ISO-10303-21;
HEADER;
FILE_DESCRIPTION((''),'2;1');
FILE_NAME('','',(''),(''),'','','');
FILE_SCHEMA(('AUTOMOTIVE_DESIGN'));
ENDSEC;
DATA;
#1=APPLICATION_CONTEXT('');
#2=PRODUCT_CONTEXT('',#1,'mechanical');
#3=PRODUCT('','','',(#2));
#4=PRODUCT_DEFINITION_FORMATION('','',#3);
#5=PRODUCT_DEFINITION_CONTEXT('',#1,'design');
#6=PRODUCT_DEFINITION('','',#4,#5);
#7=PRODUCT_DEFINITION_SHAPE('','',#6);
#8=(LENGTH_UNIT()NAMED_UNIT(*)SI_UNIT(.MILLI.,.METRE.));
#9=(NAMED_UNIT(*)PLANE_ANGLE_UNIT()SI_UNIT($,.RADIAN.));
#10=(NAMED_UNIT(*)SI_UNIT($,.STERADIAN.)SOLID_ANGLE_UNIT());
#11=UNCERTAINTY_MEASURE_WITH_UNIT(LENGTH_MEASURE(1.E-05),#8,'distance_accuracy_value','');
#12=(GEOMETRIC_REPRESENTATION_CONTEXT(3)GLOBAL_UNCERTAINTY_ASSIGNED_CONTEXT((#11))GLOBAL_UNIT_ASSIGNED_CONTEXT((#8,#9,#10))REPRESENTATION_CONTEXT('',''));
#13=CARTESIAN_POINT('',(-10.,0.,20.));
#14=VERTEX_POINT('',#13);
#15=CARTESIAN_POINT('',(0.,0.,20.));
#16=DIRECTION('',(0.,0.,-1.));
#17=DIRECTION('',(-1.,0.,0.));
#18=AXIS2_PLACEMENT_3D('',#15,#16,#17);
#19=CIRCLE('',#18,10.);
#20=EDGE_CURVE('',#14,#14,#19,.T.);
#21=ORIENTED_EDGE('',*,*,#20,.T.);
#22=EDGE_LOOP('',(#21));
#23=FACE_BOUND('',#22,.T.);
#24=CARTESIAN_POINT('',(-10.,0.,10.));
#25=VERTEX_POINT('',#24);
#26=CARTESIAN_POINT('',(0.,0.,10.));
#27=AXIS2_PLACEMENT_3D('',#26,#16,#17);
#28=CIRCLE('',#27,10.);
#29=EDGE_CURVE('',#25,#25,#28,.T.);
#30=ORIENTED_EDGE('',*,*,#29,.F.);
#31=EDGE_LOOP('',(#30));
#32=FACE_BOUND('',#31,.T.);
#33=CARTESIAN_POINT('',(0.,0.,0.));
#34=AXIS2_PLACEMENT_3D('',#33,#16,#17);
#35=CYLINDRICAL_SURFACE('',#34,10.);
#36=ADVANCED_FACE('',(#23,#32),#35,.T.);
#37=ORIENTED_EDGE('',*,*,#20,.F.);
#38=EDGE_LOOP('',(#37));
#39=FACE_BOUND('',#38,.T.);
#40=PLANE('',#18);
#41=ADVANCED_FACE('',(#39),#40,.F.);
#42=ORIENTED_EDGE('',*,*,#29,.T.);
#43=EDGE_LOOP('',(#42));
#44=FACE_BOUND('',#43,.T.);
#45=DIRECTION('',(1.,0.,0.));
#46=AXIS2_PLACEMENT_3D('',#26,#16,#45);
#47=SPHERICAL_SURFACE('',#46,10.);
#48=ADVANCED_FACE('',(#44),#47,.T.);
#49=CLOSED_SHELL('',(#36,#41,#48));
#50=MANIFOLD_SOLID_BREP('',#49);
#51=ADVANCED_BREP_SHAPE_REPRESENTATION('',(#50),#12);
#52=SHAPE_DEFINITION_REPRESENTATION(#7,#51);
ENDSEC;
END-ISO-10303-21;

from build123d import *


with BuildPart() as part:
    # Sketch1 → Revolve1 (revolve)
    with BuildSketch(Plane(origin=(0, 0, 0), x_dir=(1, 0, 0), z_dir=(0, 1, 0))):
        with BuildLine():
            Line((0, 0), (0, -20))
            Line((0, -20), (10, -20))
            Line((10, -20), (10, -10))
            ThreePointArc((10, -10), (7.071067812, -2.928932188), (0, 0))
        make_face()
    revolve(axis=Axis((0, 0, 0), (0, 0, 1)))


solid = part.part
